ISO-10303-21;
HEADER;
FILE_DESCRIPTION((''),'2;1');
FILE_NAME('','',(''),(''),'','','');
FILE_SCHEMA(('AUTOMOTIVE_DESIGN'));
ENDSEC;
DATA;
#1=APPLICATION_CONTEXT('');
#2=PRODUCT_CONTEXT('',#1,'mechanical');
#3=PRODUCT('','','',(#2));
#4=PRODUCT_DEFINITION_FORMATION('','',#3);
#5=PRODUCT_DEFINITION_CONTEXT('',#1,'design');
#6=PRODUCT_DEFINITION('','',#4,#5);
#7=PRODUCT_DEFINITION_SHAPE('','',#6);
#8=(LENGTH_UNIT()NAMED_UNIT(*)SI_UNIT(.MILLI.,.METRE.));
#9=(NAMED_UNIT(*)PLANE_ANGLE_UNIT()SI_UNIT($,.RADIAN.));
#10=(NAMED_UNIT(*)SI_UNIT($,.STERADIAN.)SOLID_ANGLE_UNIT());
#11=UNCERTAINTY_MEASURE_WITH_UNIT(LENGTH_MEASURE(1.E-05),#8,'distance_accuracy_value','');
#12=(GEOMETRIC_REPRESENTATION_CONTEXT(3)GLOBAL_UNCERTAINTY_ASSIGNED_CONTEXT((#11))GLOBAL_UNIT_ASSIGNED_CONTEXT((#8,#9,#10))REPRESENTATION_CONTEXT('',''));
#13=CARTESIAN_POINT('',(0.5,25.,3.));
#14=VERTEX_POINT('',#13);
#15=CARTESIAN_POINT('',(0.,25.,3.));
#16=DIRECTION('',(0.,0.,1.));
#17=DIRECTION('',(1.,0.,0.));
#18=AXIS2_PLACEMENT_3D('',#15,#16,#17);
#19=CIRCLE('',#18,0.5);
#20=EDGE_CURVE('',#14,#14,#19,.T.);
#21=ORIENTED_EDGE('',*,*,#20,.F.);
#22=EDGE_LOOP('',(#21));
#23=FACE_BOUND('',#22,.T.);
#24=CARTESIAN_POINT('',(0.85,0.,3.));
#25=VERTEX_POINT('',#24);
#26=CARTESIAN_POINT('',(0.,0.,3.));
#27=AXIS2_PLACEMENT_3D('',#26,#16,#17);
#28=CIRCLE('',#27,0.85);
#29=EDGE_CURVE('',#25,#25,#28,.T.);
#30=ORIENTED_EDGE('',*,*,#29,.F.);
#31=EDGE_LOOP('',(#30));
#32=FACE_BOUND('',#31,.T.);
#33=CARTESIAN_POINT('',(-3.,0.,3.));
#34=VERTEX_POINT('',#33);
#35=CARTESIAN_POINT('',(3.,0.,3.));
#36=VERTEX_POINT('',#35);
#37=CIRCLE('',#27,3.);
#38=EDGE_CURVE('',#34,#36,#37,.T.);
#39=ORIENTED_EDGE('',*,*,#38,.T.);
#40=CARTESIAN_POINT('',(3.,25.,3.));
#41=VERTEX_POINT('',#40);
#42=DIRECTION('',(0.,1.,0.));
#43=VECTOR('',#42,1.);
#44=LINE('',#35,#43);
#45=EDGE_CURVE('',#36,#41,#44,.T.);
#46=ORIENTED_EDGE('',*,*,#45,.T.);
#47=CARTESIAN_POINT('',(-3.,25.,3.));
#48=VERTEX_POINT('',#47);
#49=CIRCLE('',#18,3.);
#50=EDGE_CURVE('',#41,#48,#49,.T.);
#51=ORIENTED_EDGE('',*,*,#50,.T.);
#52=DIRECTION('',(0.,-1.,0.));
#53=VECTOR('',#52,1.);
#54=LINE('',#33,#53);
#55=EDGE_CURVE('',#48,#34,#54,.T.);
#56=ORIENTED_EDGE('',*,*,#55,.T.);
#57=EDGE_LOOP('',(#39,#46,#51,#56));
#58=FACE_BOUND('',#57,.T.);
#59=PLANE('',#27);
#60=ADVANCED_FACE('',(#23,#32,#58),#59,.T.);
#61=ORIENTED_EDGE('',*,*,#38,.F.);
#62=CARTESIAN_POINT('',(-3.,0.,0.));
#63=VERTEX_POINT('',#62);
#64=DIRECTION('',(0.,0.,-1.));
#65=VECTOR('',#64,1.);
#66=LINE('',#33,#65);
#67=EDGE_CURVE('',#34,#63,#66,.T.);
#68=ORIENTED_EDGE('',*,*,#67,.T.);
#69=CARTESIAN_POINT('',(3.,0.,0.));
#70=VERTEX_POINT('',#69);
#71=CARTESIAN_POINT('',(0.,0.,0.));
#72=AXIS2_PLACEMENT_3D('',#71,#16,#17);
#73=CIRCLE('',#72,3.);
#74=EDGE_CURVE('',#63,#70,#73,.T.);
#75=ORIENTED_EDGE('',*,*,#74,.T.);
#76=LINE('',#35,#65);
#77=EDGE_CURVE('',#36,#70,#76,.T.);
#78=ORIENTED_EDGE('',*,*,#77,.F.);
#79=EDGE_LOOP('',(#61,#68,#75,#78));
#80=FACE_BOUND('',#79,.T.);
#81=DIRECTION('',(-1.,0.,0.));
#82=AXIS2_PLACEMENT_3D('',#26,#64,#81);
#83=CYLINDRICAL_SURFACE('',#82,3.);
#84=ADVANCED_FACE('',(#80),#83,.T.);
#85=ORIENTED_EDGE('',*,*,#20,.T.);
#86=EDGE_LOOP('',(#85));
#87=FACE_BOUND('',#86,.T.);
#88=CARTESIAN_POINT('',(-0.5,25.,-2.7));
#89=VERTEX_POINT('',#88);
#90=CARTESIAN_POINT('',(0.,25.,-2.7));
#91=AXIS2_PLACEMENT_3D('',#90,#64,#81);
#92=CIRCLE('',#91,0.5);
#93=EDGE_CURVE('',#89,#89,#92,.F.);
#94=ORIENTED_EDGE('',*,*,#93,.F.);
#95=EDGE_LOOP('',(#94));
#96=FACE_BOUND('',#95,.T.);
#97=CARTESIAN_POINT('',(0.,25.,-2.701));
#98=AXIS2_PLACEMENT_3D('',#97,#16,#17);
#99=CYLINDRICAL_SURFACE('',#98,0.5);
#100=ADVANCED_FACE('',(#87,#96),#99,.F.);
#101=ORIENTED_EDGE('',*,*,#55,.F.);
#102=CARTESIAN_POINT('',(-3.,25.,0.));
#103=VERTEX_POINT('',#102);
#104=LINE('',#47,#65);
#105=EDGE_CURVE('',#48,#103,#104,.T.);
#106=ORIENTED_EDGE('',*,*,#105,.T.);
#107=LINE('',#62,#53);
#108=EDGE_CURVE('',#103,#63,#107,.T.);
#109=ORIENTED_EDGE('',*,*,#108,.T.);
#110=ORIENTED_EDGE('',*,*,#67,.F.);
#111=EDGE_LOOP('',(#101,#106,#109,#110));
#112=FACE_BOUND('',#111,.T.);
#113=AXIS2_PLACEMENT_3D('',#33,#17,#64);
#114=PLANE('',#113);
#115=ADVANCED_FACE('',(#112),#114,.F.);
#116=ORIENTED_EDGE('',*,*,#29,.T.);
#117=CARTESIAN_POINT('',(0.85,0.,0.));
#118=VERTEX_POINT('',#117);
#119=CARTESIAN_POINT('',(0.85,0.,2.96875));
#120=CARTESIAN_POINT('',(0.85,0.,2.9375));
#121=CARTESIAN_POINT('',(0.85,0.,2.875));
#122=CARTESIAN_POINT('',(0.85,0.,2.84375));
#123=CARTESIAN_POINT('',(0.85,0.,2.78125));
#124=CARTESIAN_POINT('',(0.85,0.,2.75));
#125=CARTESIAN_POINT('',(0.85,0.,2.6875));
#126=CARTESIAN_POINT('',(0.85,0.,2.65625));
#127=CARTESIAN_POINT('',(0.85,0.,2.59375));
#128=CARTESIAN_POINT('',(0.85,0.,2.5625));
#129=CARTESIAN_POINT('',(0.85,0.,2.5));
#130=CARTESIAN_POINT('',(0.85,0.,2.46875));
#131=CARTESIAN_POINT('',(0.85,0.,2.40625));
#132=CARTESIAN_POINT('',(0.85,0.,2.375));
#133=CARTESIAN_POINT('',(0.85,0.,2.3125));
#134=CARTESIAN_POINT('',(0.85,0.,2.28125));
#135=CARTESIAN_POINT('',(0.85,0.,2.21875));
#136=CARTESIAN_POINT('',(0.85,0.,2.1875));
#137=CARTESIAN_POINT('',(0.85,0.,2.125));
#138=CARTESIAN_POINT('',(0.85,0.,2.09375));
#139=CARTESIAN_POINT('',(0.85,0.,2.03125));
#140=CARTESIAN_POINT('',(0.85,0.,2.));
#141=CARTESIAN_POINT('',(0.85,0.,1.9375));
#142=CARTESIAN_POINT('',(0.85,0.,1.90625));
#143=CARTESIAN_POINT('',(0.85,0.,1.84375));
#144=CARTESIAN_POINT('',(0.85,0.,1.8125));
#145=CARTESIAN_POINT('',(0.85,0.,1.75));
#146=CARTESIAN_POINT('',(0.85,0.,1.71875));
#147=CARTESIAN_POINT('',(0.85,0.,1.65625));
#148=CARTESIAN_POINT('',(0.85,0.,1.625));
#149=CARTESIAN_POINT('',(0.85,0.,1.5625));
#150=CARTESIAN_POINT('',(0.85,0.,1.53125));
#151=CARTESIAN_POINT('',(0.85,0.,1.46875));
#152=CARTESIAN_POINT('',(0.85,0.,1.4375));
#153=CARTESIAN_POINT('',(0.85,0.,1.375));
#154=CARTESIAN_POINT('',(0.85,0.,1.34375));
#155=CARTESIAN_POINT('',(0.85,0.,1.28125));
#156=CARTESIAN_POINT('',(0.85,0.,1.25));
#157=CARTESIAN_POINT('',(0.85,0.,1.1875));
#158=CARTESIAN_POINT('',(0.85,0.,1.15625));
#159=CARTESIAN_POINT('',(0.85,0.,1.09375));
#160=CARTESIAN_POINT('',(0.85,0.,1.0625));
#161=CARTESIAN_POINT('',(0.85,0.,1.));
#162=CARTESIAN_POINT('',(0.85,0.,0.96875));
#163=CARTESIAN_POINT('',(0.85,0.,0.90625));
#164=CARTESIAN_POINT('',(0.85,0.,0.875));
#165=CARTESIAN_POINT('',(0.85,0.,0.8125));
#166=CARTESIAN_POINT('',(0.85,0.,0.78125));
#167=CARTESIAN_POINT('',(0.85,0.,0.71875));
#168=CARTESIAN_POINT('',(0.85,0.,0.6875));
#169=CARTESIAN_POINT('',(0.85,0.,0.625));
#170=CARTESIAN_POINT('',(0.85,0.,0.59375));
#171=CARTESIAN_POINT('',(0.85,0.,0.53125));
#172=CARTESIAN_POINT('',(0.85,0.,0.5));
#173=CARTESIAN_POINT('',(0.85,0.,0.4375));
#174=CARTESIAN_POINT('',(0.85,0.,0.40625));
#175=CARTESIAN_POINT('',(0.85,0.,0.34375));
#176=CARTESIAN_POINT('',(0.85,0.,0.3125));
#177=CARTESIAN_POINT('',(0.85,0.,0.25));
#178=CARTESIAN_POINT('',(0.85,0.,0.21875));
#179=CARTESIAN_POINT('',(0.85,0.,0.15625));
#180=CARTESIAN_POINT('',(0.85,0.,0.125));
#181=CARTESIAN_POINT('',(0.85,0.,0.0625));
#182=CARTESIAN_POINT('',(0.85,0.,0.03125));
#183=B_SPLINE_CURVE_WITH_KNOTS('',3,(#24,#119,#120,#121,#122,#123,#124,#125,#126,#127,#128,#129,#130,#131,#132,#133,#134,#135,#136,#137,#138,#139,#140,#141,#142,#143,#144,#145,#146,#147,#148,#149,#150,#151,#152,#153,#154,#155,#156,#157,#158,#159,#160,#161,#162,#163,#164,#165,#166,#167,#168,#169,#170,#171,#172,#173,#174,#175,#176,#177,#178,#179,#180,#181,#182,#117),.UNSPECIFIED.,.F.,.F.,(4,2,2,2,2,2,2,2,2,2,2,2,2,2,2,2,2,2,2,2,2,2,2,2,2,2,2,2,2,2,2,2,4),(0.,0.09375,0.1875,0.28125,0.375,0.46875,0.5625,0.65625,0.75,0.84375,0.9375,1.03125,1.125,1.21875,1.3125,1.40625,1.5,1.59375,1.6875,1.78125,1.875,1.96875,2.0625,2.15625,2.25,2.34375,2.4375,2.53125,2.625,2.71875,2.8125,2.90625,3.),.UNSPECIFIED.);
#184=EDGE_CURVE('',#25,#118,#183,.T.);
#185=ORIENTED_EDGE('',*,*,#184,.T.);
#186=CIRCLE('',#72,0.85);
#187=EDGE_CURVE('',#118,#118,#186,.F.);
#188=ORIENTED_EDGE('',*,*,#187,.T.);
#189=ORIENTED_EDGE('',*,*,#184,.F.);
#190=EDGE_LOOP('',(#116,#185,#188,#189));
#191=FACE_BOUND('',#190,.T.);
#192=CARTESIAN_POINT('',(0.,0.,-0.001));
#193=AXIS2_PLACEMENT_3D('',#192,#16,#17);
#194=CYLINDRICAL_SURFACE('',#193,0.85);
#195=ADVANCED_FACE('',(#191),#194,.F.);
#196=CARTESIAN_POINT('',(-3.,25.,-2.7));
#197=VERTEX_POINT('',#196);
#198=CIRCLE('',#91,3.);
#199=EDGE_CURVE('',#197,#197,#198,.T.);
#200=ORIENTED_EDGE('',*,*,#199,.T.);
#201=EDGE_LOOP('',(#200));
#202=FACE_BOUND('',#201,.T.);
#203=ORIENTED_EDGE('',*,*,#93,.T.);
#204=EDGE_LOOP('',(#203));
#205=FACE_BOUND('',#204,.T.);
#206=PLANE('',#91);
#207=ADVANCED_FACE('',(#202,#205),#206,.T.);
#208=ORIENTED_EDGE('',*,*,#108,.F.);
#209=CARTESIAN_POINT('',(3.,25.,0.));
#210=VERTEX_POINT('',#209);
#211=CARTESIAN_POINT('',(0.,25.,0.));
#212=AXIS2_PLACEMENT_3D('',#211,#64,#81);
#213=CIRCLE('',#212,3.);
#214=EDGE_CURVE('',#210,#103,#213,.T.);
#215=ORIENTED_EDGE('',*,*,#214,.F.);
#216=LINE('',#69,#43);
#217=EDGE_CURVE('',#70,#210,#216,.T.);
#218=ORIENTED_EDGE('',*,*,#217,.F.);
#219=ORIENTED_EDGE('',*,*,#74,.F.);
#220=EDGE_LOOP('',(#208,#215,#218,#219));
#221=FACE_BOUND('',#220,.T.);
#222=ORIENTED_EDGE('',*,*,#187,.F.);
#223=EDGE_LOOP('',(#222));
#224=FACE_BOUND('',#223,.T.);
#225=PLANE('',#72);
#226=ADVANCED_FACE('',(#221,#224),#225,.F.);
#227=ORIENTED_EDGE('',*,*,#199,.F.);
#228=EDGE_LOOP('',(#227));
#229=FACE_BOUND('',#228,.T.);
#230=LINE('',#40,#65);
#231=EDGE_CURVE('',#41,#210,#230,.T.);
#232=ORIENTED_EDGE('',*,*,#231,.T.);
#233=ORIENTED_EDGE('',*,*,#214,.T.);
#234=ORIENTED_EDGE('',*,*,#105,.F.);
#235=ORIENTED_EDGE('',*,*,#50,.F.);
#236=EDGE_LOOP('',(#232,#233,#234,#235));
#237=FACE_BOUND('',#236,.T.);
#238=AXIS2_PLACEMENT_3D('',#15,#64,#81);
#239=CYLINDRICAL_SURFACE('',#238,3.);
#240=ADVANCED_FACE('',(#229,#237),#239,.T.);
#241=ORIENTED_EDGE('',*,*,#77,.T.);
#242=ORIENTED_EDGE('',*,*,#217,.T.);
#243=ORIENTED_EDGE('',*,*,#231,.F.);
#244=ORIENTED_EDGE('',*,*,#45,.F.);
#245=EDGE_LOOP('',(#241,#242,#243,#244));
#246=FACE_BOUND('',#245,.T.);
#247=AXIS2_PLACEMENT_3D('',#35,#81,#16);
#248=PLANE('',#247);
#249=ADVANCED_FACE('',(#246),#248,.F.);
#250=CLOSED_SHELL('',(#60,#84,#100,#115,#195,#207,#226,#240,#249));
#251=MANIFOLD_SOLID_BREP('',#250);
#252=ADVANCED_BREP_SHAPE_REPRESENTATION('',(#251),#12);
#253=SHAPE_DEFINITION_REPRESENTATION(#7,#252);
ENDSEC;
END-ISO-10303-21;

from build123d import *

# Parameters (mm, degrees)
RESSALTO_EXTRUS_O1_DEPTH = 3
CORTE_EXTRUS_O1_REACH    = 30.32
ESBO_O2_R                = 0.85
RESSALTO_EXTRUS_O2_START = 2.7
ESBO_O4_R                = 3
RESSALTO_EXTRUS_O2_DEPTH = 2.7
CORTE_EXTRUS_O2_REACH    = 30.731
ESBO_O3_R                = 0.5


with BuildPart() as part:
    # Esboço1 → Ressalto-extrusão1 (new body)
    with BuildSketch(Plane.XY):
        with BuildLine():
            Line((-3, 0), (-3, 25))
            ThreePointArc((-3, 25), (0, 28), (3, 25))
            Line((3, 25), (3, 0))
            ThreePointArc((3, 0), (0, -3), (-3, 0))
        make_face()
    extrude(amount=RESSALTO_EXTRUS_O1_DEPTH)

    # Esboço2 → Corte-extrusão1 (cut, up to next)
    with BuildSketch(Plane.XY.offset(3), mode=Mode.PRIVATE) as corte_extrus_o1_sk1:
        Circle(ESBO_O2_R)
    corte_extrus_o1_tool1 = extrude(corte_extrus_o1_sk1.sketch, amount=-CORTE_EXTRUS_O1_REACH, mode=Mode.PRIVATE) & part.part
    add(corte_extrus_o1_tool1.solids().sort_by_distance((0, 0, 3))[0], mode=Mode.SUBTRACT)

    # Esboço4 → Ressalto-extrusão2 (add)
    with BuildSketch(Plane(origin=(0, 0, 0), x_dir=(-1, 0, 0), z_dir=(0, 0, -1)).offset(RESSALTO_EXTRUS_O2_START)):
        with Locations((0, 25)):
            Circle(ESBO_O4_R)
    extrude(amount=-RESSALTO_EXTRUS_O2_DEPTH)

    # Esboço3 → Corte-extrusão2 (cut, up to next)
    with BuildSketch(Plane.XY.offset(3), mode=Mode.PRIVATE) as corte_extrus_o2_sk1:
        with Locations((0, 25)):
            Circle(ESBO_O3_R)
    corte_extrus_o2_tool1 = extrude(corte_extrus_o2_sk1.sketch, amount=-CORTE_EXTRUS_O2_REACH, mode=Mode.PRIVATE) & part.part
    add(corte_extrus_o2_tool1.solids().sort_by_distance((0, 25, 3))[0], mode=Mode.SUBTRACT)


solid = part.part
